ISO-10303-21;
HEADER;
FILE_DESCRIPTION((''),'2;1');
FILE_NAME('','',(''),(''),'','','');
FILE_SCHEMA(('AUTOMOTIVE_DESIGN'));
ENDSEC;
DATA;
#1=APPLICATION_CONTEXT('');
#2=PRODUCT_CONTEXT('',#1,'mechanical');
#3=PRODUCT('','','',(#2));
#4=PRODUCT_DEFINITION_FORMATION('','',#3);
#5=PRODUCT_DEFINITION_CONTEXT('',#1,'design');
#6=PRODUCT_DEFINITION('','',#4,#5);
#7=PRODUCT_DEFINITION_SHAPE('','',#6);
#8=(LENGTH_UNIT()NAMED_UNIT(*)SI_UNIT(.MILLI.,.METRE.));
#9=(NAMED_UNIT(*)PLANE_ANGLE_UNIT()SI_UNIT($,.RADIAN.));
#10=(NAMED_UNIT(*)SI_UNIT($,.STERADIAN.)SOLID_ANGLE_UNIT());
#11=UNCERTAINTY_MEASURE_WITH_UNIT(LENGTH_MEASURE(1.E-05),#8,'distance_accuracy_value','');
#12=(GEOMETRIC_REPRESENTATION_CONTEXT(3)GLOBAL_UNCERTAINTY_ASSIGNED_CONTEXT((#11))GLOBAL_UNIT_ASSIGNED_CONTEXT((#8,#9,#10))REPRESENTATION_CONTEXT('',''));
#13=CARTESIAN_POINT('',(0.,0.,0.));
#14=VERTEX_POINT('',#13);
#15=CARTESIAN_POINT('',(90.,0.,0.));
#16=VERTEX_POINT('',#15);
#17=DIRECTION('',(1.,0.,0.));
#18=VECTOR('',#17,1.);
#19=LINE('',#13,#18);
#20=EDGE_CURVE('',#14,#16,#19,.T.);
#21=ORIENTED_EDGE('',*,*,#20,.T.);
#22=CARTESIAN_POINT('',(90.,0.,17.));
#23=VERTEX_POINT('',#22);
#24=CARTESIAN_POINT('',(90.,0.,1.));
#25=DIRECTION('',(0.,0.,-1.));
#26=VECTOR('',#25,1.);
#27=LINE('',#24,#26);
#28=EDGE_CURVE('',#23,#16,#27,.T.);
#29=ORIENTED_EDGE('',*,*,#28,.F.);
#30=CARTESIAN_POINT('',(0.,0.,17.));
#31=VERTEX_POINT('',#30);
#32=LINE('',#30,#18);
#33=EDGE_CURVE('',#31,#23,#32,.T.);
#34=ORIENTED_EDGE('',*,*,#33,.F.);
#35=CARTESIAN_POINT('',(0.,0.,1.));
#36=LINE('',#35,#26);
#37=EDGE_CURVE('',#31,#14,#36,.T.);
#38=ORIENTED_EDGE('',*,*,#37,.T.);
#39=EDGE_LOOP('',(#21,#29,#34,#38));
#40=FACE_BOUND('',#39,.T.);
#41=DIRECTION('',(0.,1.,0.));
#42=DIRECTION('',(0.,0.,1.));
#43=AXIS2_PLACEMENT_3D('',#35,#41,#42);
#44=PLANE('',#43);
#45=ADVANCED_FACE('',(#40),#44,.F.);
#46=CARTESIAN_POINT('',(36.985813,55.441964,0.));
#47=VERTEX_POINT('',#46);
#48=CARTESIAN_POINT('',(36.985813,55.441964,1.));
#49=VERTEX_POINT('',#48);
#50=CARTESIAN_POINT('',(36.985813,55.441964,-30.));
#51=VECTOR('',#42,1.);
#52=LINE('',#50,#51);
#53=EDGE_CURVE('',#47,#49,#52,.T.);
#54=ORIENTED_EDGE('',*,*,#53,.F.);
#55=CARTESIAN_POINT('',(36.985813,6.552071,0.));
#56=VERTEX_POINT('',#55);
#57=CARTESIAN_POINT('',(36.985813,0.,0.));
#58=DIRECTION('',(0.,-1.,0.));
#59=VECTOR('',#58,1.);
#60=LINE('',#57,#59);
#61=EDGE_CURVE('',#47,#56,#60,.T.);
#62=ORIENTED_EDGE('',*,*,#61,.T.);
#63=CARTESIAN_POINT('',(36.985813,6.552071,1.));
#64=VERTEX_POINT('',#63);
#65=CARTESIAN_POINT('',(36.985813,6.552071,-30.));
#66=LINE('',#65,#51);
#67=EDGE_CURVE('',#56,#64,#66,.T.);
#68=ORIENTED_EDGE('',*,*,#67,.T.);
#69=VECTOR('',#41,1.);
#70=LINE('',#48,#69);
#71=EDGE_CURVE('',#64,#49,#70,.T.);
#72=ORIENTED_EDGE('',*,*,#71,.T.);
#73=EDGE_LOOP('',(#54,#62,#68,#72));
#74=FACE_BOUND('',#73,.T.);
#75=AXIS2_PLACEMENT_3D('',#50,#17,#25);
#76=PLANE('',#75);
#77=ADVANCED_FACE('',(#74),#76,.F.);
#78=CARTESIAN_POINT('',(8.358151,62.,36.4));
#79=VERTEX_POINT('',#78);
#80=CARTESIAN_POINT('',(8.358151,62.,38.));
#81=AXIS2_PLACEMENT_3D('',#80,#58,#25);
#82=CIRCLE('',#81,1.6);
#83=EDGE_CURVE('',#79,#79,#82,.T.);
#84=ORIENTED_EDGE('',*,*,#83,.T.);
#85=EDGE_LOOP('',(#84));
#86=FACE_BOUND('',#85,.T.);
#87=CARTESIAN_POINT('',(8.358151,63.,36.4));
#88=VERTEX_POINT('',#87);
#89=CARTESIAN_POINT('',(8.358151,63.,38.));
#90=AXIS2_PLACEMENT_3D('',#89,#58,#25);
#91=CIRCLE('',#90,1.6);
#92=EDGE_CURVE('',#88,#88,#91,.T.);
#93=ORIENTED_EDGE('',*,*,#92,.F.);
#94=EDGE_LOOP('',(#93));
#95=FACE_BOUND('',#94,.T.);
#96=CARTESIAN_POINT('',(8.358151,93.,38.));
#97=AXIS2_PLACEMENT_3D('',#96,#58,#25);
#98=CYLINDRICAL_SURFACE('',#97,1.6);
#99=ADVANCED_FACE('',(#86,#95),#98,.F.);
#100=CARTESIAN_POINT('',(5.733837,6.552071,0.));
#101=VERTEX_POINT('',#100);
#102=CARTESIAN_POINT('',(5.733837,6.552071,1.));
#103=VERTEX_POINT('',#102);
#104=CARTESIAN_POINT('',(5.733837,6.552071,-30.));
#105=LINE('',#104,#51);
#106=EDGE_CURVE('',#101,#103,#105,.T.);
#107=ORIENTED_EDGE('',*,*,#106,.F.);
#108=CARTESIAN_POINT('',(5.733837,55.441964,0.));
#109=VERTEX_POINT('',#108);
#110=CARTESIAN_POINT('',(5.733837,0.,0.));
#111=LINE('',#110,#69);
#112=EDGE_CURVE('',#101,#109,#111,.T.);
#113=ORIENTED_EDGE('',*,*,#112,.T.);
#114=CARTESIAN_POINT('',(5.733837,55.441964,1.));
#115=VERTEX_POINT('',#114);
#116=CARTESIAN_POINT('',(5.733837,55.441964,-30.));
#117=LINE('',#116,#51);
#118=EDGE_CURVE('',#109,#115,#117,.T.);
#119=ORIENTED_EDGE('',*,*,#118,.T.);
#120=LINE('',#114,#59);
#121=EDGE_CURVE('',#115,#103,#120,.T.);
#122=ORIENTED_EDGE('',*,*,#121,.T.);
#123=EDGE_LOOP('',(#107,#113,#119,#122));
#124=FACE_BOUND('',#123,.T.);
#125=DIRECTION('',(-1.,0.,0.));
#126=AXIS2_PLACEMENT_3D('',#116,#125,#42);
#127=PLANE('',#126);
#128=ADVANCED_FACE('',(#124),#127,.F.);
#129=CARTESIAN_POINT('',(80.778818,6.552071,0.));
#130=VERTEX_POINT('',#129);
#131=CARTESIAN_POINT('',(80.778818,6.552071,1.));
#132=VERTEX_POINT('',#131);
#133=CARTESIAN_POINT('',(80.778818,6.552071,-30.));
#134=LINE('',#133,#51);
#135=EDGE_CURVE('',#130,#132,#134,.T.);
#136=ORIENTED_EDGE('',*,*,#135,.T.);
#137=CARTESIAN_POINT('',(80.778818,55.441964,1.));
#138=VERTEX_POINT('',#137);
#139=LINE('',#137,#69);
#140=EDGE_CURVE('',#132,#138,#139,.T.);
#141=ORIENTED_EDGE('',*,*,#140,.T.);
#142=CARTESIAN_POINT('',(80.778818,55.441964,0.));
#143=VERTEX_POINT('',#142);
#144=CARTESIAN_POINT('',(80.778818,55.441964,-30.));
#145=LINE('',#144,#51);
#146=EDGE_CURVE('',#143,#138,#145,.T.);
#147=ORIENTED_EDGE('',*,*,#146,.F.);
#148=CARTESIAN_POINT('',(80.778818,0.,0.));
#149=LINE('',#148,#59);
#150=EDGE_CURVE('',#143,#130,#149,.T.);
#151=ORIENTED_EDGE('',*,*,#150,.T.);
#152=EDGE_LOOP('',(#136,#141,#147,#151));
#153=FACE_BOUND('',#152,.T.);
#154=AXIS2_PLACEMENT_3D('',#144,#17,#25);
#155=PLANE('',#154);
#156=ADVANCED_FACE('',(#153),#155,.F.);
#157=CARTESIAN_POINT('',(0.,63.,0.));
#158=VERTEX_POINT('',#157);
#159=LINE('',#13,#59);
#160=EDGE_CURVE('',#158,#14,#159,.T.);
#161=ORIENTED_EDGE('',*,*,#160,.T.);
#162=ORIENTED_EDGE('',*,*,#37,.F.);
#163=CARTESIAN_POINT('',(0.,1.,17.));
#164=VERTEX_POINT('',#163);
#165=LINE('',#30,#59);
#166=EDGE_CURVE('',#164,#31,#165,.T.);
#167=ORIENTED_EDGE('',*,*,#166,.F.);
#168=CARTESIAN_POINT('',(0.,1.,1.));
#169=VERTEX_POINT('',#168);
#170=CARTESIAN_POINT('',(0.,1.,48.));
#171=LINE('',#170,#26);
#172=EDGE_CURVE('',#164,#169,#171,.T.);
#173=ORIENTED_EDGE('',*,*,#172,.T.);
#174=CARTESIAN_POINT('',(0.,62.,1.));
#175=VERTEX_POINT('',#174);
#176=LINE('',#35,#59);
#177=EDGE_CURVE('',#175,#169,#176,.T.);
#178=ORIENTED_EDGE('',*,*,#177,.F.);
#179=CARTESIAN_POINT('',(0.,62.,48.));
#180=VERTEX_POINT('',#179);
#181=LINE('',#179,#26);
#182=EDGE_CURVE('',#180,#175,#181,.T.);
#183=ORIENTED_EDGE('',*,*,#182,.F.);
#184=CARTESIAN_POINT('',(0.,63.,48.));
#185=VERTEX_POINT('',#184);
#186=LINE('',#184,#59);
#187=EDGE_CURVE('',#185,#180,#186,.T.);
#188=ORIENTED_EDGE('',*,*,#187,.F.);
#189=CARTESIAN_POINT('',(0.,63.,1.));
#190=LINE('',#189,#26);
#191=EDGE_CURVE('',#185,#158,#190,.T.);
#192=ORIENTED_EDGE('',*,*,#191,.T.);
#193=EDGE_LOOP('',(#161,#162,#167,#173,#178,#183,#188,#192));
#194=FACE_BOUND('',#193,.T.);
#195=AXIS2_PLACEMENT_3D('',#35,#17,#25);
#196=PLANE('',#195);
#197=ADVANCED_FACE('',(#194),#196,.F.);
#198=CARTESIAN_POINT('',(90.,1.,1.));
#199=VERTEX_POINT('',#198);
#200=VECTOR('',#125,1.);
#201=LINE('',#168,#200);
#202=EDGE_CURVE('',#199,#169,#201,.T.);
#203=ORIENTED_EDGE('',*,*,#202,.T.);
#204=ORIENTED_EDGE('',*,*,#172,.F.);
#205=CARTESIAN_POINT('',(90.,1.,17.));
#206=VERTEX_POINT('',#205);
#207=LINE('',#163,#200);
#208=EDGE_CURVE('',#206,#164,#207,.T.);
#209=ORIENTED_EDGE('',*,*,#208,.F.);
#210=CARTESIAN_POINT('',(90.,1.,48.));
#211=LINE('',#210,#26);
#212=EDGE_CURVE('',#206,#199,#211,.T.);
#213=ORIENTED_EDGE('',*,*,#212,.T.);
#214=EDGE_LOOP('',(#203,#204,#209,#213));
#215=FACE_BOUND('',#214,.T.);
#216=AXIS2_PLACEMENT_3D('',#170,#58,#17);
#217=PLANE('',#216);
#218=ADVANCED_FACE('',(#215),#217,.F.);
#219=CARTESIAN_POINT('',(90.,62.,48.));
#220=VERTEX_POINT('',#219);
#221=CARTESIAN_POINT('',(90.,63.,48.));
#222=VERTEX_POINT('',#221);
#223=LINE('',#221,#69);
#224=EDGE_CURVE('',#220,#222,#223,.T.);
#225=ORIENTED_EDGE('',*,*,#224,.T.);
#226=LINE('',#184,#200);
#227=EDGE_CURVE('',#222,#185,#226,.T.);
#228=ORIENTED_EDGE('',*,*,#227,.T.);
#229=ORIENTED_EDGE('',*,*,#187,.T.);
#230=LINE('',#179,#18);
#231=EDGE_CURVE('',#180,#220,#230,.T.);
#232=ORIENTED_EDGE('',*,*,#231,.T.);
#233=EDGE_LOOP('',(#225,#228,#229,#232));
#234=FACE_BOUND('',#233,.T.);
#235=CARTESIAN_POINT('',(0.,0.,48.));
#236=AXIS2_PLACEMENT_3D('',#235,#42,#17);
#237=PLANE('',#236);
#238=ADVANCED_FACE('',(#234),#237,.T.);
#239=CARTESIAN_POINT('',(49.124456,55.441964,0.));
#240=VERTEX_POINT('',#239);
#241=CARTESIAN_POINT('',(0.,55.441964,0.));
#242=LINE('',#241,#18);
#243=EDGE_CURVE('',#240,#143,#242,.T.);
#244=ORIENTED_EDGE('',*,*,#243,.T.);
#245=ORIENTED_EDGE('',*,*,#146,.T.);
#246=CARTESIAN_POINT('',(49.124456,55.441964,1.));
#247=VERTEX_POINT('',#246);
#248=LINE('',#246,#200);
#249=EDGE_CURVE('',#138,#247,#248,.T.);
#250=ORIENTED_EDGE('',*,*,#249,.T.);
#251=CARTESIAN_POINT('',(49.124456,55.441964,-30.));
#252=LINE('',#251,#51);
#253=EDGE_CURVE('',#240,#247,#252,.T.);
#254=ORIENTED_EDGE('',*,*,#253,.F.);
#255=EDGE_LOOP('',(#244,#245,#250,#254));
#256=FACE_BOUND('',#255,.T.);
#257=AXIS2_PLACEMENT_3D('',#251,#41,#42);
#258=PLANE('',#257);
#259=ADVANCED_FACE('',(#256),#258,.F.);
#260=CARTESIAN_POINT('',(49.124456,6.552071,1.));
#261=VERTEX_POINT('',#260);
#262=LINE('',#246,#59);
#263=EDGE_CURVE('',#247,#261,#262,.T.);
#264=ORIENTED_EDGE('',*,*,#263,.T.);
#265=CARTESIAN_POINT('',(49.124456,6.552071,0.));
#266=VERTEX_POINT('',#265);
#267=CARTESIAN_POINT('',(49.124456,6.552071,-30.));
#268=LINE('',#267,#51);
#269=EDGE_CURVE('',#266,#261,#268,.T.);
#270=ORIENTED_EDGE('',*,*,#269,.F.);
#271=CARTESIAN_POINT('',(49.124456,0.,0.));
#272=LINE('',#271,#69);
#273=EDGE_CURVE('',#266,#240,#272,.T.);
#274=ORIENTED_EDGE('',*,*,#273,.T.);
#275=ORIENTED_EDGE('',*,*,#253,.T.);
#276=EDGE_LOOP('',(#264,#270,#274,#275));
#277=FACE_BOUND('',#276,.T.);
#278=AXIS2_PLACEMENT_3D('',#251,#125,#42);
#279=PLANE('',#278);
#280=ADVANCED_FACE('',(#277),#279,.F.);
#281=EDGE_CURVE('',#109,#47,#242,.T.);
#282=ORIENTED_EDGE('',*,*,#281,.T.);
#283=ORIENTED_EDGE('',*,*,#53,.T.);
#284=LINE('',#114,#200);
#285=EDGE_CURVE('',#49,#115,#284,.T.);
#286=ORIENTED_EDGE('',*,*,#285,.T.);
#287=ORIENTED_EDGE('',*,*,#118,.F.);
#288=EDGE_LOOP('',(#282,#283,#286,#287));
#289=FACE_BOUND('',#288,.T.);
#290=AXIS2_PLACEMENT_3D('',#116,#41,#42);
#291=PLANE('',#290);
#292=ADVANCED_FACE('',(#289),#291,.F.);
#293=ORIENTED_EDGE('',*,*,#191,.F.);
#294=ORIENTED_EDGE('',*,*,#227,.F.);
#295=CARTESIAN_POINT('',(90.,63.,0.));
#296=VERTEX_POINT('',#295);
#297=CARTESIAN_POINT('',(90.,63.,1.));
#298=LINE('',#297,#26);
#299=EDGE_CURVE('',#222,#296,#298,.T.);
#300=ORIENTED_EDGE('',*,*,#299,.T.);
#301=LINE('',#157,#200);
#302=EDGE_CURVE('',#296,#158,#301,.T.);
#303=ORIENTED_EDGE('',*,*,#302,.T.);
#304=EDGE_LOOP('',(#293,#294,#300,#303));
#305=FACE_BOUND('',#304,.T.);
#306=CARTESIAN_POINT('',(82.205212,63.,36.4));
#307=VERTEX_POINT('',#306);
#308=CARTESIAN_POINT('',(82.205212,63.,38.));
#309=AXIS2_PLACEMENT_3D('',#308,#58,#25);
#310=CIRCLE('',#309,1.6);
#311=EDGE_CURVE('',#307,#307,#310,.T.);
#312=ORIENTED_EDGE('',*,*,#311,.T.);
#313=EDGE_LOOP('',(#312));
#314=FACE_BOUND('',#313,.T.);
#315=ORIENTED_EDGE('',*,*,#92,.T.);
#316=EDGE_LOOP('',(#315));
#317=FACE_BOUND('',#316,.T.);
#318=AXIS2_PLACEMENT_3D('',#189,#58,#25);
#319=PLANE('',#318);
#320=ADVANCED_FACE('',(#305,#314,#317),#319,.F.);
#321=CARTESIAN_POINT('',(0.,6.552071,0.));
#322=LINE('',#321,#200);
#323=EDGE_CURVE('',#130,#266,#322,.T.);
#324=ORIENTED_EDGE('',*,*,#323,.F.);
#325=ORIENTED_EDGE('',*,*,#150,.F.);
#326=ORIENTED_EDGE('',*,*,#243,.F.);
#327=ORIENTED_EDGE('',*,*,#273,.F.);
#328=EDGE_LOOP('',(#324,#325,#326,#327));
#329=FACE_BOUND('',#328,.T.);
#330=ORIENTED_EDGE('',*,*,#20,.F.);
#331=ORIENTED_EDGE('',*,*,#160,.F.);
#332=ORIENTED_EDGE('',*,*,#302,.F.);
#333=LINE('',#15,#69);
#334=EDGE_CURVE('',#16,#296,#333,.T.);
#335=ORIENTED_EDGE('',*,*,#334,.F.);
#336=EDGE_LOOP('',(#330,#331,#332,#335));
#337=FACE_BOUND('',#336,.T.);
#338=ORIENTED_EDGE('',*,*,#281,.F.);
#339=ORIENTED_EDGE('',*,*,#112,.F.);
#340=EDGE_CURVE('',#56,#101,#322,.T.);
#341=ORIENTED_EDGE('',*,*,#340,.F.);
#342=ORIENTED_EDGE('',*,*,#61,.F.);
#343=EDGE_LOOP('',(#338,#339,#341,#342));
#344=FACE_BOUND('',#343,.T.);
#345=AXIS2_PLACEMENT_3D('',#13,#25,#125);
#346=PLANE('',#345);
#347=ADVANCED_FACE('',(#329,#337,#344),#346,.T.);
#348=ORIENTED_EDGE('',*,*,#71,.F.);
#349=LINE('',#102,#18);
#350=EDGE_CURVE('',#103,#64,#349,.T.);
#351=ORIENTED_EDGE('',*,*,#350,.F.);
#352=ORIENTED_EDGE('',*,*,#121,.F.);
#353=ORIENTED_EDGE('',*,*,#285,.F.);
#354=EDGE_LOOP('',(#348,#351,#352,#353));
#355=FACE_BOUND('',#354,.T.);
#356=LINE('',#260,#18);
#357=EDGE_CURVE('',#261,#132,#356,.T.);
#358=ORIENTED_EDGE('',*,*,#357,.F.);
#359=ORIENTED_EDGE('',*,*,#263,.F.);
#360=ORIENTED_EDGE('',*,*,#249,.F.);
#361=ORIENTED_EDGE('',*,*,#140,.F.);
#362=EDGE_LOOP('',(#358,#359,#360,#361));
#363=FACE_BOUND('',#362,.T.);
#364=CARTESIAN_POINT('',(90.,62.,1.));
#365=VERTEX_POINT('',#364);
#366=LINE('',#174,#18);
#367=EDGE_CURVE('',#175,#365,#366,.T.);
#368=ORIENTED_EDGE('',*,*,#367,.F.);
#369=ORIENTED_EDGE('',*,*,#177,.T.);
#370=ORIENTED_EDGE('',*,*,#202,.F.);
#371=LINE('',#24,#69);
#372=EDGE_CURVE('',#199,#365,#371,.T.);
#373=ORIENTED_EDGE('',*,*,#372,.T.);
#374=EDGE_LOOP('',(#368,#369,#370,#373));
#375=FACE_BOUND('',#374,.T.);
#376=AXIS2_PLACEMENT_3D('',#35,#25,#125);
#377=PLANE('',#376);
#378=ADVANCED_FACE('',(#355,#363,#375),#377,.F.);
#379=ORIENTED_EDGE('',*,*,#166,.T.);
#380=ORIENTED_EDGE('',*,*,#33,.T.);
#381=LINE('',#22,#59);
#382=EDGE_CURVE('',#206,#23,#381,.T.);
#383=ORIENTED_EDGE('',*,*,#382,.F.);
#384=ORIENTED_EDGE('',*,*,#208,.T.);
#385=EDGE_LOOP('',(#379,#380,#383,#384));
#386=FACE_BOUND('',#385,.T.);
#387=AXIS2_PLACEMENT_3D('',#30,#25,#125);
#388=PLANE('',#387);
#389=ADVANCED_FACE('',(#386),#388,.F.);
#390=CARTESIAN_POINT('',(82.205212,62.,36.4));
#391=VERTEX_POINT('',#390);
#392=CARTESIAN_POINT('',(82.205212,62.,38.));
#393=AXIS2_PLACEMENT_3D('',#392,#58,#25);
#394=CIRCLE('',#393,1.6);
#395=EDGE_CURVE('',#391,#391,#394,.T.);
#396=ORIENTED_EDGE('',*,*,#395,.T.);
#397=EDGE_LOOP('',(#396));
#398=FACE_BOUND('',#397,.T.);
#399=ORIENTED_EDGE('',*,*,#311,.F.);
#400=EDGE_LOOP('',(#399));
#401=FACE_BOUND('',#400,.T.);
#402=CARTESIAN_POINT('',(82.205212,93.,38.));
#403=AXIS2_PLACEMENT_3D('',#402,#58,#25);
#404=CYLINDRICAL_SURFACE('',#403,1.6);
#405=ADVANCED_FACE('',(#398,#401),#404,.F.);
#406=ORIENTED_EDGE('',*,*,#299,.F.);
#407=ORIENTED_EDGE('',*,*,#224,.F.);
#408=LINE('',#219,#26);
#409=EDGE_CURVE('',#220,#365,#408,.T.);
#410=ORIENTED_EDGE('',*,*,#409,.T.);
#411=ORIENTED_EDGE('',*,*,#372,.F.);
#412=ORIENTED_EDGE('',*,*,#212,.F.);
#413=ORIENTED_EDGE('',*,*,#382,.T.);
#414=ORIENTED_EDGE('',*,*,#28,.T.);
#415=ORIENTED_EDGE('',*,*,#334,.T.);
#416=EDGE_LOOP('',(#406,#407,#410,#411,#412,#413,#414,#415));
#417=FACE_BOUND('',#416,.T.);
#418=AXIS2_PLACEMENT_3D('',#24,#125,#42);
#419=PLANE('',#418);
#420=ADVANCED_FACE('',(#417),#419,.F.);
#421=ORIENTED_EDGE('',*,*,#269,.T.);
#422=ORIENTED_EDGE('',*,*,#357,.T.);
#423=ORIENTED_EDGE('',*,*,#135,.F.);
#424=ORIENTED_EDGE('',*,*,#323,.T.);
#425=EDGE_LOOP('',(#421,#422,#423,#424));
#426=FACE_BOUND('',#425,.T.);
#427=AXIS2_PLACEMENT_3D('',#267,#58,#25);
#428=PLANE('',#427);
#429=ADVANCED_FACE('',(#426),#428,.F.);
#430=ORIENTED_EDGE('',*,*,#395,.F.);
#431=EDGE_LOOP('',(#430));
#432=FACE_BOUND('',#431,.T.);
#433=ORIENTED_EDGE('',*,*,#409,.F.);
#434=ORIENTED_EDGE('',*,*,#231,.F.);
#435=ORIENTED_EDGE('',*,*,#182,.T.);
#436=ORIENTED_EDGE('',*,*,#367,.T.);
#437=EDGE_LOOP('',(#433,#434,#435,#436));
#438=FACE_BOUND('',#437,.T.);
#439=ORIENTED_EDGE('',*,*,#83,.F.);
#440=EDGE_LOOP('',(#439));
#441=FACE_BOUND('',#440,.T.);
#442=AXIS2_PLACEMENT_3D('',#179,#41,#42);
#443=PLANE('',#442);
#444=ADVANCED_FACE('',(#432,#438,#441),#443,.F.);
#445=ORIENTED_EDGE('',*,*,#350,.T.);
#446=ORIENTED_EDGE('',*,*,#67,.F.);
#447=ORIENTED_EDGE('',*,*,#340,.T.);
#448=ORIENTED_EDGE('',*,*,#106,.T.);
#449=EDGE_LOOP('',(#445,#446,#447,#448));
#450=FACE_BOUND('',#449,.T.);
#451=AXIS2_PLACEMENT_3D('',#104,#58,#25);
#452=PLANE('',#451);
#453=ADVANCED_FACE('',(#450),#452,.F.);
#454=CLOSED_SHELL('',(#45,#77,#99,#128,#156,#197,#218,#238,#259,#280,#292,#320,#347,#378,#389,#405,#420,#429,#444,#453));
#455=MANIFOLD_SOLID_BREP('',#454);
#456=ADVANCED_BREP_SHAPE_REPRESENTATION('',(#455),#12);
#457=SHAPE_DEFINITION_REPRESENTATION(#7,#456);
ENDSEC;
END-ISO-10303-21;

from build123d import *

# Parameters (mm, degrees)
SKETCH_1_W          = 90
SKETCH_1_H          = 63
EXTRUDE_1_DEPTH     = 1
SKETCH_2_W          = 90
SKETCH_2_H          = 1
EXTRUDE_2_DEPTH     = 47
SKETCH_3_W          = 101.367565962
SKETCH_3_H          = 1
CUT_EXTRUDE_1_DEPTH = 31
SKETCH_4_W          = 31.251975893
SKETCH_4_H          = 48.889893619
SKETCH_4_W_2        = 31.654361849
CUT_EXTRUDE_2_DEPTH = 31
SKETCH_5_R          = 1.6
CUT_EXTRUDE_3_DEPTH = 31


with BuildPart() as part:
    # 草图1 → 凸台-拉伸1 (new body)
    with BuildSketch(Plane.XY):
        with Locations((45, 31.5)):
            Rectangle(SKETCH_1_W, SKETCH_1_H)
    extrude(amount=EXTRUDE_1_DEPTH)

    # 草图2 → 凸台-拉伸2 (add)
    with BuildSketch(Plane.XY.offset(1)):
        with Locations((45, 62.5)):
            Rectangle(SKETCH_2_W, SKETCH_2_H)
        with Locations((45, 0.5)):
            Rectangle(SKETCH_2_W, SKETCH_2_H)
    extrude(amount=EXTRUDE_2_DEPTH)

    # 草图3 → 切除-拉伸1 (cut)
    with BuildSketch(Plane.XY.offset(48)):
        with Locations((50.683782981, 0.5)):
            Rectangle(SKETCH_3_W, SKETCH_3_H)
    extrude(amount=-CUT_EXTRUDE_1_DEPTH, mode=Mode.SUBTRACT)

    # 草图4 → 切除-拉伸2 (cut)
    with BuildSketch(Plane.XY.offset(1)):
        with Locations((21.359825103, 30.997017556)):
            Rectangle(SKETCH_4_W, SKETCH_4_H)
        with Locations((64.951636971, 30.997017556)):
            Rectangle(SKETCH_4_W_2, SKETCH_4_H)
    extrude(amount=-CUT_EXTRUDE_2_DEPTH, mode=Mode.SUBTRACT)

    # 草图5 → 切除-拉伸3 (cut)
    with BuildSketch(Plane.XZ.offset(-62)):
        with Locations(Location((8.358150818, 38, 0), (0, 0, 270))):
            Circle(SKETCH_5_R)
        with Locations(Location((82.205212472, 38, 0), (0, 0, 270))):
            Circle(SKETCH_5_R)
    extrude(amount=-CUT_EXTRUDE_3_DEPTH, mode=Mode.SUBTRACT)


solid = part.part
